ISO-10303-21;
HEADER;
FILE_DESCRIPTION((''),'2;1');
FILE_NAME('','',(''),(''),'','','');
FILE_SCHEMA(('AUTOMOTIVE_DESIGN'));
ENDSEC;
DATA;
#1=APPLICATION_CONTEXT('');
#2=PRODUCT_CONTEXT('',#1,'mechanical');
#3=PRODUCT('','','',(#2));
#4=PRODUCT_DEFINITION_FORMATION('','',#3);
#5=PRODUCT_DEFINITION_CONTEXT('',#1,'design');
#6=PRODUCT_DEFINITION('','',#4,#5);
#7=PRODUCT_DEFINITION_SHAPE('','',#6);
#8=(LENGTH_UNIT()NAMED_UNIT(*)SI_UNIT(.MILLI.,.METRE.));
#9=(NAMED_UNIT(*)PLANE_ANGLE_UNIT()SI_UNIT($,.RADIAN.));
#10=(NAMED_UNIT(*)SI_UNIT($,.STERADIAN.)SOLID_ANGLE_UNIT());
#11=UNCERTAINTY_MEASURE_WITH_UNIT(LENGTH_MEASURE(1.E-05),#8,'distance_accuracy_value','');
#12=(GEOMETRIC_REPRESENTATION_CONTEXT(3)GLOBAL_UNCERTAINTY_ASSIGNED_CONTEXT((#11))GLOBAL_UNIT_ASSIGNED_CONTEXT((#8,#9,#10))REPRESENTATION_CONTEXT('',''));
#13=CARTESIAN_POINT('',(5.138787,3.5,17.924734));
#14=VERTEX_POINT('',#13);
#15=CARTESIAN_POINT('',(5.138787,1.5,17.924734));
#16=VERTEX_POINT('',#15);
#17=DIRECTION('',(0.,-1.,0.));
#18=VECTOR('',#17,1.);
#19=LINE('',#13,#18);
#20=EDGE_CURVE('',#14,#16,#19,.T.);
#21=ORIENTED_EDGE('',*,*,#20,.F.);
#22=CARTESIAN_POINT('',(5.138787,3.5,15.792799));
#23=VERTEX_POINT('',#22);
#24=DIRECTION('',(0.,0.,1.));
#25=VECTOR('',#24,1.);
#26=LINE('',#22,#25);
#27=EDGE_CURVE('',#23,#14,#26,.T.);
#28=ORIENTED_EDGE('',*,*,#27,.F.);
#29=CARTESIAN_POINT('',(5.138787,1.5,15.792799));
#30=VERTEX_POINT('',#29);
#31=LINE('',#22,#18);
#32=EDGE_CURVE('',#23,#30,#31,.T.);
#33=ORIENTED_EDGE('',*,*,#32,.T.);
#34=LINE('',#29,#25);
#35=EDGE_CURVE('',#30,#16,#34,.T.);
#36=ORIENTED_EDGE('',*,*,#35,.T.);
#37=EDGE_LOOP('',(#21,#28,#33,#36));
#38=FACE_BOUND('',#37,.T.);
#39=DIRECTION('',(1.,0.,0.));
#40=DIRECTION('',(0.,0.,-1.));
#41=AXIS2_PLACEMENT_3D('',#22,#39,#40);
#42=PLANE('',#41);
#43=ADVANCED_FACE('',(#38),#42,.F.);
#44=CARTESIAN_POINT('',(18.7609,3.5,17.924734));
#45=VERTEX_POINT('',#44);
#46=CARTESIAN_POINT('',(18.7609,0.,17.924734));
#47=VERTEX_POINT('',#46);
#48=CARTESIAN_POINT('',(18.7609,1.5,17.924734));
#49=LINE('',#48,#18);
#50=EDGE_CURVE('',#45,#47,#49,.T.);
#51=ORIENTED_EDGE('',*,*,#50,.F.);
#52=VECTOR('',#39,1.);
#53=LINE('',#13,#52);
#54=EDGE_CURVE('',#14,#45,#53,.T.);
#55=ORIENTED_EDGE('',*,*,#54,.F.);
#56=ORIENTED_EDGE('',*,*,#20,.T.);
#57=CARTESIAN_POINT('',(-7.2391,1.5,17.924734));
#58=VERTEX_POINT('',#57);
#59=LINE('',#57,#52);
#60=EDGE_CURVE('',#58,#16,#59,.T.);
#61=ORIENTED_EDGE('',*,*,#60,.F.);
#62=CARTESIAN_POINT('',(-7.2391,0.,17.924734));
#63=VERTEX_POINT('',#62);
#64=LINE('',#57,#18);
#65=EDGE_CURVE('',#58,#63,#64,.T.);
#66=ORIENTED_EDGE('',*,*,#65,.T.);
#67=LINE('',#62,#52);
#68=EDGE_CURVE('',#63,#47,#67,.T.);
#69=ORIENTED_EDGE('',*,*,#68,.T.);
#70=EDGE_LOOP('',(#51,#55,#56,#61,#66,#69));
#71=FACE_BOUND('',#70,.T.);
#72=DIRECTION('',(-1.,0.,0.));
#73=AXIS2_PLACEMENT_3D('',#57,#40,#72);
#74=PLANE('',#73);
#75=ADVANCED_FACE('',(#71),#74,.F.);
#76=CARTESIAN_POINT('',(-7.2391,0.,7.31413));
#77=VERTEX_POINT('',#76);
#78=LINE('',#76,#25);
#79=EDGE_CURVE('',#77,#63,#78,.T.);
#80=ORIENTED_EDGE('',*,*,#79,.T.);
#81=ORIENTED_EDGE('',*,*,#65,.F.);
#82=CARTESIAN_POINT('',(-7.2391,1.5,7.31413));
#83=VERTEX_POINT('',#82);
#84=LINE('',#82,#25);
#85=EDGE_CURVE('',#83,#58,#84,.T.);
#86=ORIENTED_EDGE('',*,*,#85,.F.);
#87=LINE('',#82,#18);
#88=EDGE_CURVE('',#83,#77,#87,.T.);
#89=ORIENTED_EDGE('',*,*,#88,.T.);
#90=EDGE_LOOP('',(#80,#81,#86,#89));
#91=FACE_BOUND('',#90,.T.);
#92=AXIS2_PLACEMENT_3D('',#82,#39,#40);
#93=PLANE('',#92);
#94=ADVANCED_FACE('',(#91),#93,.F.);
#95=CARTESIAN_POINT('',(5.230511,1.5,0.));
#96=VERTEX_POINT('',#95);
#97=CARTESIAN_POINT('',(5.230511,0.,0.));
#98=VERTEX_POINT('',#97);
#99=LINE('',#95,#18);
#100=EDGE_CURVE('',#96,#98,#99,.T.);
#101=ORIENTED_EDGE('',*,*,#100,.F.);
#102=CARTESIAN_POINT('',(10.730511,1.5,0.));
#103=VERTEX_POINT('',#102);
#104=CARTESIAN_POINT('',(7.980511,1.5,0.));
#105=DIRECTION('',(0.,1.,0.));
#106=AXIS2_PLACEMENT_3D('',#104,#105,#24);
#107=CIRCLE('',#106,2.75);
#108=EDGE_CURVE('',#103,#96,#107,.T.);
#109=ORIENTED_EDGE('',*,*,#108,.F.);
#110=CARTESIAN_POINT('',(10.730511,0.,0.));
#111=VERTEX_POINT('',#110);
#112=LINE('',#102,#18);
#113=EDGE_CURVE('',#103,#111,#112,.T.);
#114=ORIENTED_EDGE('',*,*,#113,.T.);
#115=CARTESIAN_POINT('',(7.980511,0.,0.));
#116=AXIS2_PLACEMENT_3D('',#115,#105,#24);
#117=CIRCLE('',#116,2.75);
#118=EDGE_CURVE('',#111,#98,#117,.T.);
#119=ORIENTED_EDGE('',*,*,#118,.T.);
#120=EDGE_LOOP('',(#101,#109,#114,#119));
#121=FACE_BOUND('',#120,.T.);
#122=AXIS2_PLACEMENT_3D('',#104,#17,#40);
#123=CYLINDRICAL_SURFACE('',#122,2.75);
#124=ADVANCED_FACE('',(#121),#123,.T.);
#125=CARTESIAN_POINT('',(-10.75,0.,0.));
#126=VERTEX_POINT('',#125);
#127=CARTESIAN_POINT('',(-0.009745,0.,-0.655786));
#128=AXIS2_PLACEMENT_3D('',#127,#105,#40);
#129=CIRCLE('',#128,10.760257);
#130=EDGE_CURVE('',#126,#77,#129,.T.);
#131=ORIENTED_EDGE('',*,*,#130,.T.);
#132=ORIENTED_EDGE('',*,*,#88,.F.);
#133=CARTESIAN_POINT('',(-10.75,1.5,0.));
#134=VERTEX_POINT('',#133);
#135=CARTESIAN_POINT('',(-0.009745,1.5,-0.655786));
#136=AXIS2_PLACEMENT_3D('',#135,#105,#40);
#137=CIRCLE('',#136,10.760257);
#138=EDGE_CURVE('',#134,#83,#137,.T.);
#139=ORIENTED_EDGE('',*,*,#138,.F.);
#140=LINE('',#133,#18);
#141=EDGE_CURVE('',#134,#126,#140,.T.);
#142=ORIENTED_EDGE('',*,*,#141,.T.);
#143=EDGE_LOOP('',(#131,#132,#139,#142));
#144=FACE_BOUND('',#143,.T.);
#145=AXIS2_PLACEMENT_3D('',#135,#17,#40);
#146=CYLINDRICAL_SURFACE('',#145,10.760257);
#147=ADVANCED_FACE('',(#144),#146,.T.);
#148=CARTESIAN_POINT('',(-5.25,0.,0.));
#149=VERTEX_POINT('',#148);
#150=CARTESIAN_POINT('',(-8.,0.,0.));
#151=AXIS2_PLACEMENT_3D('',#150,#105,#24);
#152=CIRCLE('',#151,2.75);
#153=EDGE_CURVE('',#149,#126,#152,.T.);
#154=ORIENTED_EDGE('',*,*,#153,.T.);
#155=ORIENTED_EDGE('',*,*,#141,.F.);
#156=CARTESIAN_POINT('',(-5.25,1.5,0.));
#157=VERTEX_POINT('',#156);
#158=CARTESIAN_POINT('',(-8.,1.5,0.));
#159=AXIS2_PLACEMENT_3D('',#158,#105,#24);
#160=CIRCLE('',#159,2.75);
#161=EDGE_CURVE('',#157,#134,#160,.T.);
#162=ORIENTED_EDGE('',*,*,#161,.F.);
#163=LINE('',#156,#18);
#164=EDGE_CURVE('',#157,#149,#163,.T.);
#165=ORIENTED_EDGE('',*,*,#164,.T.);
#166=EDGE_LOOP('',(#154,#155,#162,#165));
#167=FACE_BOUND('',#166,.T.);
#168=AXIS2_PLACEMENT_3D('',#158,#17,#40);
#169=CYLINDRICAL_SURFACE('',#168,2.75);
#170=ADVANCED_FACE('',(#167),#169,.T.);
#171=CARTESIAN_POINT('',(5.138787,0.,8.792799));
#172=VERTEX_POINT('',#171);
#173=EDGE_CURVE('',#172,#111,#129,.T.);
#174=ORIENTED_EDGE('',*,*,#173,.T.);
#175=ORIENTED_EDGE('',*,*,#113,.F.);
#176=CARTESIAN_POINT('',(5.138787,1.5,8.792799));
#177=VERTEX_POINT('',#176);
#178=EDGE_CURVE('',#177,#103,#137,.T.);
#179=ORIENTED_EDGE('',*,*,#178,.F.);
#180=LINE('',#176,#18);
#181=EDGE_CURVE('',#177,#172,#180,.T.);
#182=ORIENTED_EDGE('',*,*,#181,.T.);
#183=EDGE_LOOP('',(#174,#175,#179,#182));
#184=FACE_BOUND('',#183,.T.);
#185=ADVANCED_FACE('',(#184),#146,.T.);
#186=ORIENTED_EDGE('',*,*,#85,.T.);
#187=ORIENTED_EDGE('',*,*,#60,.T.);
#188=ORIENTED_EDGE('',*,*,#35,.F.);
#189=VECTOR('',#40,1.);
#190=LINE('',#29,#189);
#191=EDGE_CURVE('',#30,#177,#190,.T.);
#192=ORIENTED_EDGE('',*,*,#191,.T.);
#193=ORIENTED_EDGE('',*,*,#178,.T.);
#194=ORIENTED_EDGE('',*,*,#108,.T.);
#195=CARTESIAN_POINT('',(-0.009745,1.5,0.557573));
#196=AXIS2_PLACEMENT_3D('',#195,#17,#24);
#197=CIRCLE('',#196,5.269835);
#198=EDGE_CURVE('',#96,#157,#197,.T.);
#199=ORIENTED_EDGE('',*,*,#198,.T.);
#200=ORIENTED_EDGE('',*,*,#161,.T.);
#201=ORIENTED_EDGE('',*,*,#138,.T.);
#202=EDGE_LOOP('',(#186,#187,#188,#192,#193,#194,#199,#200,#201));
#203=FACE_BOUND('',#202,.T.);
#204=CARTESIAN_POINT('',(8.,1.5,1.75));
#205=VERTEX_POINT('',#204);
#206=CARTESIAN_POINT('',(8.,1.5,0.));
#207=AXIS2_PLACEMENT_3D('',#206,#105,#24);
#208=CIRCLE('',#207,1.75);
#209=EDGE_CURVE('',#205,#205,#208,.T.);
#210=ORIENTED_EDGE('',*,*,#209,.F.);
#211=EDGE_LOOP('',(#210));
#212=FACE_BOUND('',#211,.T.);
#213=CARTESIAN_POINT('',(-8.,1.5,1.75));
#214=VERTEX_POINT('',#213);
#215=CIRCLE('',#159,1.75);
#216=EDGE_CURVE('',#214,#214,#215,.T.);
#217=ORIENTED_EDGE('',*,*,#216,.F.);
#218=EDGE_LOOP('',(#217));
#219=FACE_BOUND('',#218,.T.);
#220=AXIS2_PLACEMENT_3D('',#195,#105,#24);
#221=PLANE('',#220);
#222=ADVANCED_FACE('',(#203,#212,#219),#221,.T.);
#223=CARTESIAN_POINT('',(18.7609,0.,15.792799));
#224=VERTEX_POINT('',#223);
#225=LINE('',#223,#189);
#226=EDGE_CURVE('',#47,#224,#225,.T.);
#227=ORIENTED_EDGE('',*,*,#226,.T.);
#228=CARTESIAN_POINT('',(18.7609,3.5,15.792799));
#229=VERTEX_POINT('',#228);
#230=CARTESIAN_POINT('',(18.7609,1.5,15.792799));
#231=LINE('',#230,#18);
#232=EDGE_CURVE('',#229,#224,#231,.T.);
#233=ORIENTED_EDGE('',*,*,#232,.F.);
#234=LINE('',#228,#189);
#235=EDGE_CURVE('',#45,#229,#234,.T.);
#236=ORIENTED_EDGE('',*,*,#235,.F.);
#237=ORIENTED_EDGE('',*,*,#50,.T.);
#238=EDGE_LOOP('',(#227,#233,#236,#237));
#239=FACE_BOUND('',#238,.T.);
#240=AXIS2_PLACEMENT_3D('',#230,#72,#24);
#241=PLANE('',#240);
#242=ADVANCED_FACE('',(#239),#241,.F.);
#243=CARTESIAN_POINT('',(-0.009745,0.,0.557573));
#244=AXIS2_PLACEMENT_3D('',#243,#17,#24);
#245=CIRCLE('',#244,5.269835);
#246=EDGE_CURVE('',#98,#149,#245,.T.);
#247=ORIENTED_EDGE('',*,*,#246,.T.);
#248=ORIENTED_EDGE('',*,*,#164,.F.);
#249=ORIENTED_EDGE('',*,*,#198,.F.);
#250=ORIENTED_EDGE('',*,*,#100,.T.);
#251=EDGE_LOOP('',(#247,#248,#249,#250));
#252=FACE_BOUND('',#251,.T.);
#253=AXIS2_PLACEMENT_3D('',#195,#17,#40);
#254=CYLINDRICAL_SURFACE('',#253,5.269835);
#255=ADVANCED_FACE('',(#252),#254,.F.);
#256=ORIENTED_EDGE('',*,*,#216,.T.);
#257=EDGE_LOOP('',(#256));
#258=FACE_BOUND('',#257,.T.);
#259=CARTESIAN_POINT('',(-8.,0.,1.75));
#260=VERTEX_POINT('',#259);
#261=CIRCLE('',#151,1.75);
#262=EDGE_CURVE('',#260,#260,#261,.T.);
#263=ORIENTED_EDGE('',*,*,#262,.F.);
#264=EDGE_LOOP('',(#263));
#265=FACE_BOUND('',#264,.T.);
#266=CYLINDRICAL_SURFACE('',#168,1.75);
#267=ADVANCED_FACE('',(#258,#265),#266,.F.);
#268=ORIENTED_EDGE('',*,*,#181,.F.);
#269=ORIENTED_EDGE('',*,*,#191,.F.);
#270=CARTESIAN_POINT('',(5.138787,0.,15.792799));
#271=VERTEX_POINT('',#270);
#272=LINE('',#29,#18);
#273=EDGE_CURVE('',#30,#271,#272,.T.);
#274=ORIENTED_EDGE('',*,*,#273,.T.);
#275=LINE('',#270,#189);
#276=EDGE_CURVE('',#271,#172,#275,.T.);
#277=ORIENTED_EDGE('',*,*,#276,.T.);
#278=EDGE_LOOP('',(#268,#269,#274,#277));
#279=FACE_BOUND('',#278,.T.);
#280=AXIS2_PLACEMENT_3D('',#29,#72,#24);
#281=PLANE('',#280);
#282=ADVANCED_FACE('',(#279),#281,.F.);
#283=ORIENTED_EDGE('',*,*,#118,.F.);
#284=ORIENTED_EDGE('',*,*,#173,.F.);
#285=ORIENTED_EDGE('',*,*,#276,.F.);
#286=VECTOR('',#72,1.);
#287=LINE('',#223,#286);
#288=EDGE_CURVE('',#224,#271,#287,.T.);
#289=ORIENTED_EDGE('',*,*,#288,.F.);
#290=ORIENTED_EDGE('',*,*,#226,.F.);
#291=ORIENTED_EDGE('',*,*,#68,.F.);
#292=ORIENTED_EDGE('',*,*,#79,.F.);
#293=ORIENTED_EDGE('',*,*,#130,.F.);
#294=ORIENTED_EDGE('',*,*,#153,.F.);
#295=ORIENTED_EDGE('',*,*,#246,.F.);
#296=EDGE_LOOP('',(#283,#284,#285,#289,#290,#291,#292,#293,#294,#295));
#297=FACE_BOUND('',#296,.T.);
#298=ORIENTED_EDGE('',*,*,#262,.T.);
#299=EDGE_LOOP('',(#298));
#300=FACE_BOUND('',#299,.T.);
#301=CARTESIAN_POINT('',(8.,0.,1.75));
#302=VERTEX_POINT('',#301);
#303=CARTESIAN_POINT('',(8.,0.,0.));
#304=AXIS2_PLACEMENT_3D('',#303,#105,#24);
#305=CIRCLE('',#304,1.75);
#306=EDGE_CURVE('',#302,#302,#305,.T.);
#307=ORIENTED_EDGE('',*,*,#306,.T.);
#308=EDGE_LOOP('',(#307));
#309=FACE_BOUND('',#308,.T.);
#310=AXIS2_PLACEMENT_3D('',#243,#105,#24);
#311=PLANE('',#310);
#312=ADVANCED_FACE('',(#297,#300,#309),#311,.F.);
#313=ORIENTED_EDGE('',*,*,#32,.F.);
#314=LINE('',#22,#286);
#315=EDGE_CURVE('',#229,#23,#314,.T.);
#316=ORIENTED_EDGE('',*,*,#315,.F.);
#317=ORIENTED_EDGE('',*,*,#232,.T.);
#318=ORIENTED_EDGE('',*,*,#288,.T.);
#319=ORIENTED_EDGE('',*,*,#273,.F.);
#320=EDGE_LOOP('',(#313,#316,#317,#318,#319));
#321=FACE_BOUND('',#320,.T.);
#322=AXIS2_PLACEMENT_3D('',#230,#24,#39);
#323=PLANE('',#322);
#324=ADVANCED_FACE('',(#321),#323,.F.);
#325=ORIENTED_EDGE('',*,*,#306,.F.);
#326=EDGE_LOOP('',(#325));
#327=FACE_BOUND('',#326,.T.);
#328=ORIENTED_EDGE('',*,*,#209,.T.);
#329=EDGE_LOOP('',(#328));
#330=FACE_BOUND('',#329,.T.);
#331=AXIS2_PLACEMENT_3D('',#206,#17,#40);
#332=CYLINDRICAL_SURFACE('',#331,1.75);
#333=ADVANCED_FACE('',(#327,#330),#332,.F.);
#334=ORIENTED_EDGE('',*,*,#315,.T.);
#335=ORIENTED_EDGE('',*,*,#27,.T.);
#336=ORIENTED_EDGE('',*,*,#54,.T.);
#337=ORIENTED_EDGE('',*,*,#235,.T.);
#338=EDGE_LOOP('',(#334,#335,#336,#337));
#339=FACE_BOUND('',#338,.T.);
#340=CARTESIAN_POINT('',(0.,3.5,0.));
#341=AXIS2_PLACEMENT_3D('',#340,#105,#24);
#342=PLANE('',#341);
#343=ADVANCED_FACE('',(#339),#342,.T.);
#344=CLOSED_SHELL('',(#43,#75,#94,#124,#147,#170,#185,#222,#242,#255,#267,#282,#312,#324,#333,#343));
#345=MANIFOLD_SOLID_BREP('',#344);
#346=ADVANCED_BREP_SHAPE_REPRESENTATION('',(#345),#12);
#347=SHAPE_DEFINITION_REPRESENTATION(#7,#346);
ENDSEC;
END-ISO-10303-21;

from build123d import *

# Parameters (mm, degrees)
SKETCH_1_R      = 1.75
EXTRUDE_1_DEPTH = 1.5
SKETCH_2_W      = 13.622112507
SKETCH_2_H      = 2.131934571
EXTRUDE_2_DEPTH = 2


with BuildPart() as part:
    # 草图1 → 凸台-拉伸1 (new body)
    with BuildSketch(Plane(origin=(0, 0, 0), x_dir=(1, 0, 0), z_dir=(0, 1, 0))):
        with BuildLine():
            Line((-7.23910046, -7.314129875), (-7.23910046, -17.924733935))
            Line((-7.23910046, -17.924733935), (18.76089954, -17.924733935))
            Line((18.76089954, -17.924733935), (18.76089954, -15.792799364))
            Line((18.76089954, -15.792799364), (5.138787033, -15.792799364))
            Line((5.138787033, -15.792799364), (5.138787033, -8.792799364))
            ThreePointArc((5.138787033, -8.792799364), (9.069997492, -5.118417293), (10.730510575, 0))
            ThreePointArc((10.730510575, 0), (7.980510575, 2.75), (5.230510575, 0))
            ThreePointArc((5.230510575, 0), (-0.009744712, -5.827408606), (-5.25, 0))
            ThreePointArc((-5.25, 0), (-8, 2.75), (-10.75, 0))
            ThreePointArc((-10.75, 0), (-9.710304188, -4.000638307), (-7.23910046, -7.314129875))
        make_face()
        with Locations(Location((-8, 0, 0), (0, 0, 270))):
            Circle(SKETCH_1_R, mode=Mode.SUBTRACT)
        with Locations(Location((8, 0, 0), (0, 0, 270))):
            Circle(SKETCH_1_R, mode=Mode.SUBTRACT)
    extrude(amount=EXTRUDE_1_DEPTH)

    # 草图2 → 凸台-拉伸2 (add)
    with BuildSketch(Plane(origin=(0, 1.5, 0), x_dir=(1, 0, 0), z_dir=(0, 1, 0))):
        with Locations((11.949843287, -16.85876665)):
            Rectangle(SKETCH_2_W, SKETCH_2_H)
    extrude(amount=EXTRUDE_2_DEPTH)


solid = part.part
